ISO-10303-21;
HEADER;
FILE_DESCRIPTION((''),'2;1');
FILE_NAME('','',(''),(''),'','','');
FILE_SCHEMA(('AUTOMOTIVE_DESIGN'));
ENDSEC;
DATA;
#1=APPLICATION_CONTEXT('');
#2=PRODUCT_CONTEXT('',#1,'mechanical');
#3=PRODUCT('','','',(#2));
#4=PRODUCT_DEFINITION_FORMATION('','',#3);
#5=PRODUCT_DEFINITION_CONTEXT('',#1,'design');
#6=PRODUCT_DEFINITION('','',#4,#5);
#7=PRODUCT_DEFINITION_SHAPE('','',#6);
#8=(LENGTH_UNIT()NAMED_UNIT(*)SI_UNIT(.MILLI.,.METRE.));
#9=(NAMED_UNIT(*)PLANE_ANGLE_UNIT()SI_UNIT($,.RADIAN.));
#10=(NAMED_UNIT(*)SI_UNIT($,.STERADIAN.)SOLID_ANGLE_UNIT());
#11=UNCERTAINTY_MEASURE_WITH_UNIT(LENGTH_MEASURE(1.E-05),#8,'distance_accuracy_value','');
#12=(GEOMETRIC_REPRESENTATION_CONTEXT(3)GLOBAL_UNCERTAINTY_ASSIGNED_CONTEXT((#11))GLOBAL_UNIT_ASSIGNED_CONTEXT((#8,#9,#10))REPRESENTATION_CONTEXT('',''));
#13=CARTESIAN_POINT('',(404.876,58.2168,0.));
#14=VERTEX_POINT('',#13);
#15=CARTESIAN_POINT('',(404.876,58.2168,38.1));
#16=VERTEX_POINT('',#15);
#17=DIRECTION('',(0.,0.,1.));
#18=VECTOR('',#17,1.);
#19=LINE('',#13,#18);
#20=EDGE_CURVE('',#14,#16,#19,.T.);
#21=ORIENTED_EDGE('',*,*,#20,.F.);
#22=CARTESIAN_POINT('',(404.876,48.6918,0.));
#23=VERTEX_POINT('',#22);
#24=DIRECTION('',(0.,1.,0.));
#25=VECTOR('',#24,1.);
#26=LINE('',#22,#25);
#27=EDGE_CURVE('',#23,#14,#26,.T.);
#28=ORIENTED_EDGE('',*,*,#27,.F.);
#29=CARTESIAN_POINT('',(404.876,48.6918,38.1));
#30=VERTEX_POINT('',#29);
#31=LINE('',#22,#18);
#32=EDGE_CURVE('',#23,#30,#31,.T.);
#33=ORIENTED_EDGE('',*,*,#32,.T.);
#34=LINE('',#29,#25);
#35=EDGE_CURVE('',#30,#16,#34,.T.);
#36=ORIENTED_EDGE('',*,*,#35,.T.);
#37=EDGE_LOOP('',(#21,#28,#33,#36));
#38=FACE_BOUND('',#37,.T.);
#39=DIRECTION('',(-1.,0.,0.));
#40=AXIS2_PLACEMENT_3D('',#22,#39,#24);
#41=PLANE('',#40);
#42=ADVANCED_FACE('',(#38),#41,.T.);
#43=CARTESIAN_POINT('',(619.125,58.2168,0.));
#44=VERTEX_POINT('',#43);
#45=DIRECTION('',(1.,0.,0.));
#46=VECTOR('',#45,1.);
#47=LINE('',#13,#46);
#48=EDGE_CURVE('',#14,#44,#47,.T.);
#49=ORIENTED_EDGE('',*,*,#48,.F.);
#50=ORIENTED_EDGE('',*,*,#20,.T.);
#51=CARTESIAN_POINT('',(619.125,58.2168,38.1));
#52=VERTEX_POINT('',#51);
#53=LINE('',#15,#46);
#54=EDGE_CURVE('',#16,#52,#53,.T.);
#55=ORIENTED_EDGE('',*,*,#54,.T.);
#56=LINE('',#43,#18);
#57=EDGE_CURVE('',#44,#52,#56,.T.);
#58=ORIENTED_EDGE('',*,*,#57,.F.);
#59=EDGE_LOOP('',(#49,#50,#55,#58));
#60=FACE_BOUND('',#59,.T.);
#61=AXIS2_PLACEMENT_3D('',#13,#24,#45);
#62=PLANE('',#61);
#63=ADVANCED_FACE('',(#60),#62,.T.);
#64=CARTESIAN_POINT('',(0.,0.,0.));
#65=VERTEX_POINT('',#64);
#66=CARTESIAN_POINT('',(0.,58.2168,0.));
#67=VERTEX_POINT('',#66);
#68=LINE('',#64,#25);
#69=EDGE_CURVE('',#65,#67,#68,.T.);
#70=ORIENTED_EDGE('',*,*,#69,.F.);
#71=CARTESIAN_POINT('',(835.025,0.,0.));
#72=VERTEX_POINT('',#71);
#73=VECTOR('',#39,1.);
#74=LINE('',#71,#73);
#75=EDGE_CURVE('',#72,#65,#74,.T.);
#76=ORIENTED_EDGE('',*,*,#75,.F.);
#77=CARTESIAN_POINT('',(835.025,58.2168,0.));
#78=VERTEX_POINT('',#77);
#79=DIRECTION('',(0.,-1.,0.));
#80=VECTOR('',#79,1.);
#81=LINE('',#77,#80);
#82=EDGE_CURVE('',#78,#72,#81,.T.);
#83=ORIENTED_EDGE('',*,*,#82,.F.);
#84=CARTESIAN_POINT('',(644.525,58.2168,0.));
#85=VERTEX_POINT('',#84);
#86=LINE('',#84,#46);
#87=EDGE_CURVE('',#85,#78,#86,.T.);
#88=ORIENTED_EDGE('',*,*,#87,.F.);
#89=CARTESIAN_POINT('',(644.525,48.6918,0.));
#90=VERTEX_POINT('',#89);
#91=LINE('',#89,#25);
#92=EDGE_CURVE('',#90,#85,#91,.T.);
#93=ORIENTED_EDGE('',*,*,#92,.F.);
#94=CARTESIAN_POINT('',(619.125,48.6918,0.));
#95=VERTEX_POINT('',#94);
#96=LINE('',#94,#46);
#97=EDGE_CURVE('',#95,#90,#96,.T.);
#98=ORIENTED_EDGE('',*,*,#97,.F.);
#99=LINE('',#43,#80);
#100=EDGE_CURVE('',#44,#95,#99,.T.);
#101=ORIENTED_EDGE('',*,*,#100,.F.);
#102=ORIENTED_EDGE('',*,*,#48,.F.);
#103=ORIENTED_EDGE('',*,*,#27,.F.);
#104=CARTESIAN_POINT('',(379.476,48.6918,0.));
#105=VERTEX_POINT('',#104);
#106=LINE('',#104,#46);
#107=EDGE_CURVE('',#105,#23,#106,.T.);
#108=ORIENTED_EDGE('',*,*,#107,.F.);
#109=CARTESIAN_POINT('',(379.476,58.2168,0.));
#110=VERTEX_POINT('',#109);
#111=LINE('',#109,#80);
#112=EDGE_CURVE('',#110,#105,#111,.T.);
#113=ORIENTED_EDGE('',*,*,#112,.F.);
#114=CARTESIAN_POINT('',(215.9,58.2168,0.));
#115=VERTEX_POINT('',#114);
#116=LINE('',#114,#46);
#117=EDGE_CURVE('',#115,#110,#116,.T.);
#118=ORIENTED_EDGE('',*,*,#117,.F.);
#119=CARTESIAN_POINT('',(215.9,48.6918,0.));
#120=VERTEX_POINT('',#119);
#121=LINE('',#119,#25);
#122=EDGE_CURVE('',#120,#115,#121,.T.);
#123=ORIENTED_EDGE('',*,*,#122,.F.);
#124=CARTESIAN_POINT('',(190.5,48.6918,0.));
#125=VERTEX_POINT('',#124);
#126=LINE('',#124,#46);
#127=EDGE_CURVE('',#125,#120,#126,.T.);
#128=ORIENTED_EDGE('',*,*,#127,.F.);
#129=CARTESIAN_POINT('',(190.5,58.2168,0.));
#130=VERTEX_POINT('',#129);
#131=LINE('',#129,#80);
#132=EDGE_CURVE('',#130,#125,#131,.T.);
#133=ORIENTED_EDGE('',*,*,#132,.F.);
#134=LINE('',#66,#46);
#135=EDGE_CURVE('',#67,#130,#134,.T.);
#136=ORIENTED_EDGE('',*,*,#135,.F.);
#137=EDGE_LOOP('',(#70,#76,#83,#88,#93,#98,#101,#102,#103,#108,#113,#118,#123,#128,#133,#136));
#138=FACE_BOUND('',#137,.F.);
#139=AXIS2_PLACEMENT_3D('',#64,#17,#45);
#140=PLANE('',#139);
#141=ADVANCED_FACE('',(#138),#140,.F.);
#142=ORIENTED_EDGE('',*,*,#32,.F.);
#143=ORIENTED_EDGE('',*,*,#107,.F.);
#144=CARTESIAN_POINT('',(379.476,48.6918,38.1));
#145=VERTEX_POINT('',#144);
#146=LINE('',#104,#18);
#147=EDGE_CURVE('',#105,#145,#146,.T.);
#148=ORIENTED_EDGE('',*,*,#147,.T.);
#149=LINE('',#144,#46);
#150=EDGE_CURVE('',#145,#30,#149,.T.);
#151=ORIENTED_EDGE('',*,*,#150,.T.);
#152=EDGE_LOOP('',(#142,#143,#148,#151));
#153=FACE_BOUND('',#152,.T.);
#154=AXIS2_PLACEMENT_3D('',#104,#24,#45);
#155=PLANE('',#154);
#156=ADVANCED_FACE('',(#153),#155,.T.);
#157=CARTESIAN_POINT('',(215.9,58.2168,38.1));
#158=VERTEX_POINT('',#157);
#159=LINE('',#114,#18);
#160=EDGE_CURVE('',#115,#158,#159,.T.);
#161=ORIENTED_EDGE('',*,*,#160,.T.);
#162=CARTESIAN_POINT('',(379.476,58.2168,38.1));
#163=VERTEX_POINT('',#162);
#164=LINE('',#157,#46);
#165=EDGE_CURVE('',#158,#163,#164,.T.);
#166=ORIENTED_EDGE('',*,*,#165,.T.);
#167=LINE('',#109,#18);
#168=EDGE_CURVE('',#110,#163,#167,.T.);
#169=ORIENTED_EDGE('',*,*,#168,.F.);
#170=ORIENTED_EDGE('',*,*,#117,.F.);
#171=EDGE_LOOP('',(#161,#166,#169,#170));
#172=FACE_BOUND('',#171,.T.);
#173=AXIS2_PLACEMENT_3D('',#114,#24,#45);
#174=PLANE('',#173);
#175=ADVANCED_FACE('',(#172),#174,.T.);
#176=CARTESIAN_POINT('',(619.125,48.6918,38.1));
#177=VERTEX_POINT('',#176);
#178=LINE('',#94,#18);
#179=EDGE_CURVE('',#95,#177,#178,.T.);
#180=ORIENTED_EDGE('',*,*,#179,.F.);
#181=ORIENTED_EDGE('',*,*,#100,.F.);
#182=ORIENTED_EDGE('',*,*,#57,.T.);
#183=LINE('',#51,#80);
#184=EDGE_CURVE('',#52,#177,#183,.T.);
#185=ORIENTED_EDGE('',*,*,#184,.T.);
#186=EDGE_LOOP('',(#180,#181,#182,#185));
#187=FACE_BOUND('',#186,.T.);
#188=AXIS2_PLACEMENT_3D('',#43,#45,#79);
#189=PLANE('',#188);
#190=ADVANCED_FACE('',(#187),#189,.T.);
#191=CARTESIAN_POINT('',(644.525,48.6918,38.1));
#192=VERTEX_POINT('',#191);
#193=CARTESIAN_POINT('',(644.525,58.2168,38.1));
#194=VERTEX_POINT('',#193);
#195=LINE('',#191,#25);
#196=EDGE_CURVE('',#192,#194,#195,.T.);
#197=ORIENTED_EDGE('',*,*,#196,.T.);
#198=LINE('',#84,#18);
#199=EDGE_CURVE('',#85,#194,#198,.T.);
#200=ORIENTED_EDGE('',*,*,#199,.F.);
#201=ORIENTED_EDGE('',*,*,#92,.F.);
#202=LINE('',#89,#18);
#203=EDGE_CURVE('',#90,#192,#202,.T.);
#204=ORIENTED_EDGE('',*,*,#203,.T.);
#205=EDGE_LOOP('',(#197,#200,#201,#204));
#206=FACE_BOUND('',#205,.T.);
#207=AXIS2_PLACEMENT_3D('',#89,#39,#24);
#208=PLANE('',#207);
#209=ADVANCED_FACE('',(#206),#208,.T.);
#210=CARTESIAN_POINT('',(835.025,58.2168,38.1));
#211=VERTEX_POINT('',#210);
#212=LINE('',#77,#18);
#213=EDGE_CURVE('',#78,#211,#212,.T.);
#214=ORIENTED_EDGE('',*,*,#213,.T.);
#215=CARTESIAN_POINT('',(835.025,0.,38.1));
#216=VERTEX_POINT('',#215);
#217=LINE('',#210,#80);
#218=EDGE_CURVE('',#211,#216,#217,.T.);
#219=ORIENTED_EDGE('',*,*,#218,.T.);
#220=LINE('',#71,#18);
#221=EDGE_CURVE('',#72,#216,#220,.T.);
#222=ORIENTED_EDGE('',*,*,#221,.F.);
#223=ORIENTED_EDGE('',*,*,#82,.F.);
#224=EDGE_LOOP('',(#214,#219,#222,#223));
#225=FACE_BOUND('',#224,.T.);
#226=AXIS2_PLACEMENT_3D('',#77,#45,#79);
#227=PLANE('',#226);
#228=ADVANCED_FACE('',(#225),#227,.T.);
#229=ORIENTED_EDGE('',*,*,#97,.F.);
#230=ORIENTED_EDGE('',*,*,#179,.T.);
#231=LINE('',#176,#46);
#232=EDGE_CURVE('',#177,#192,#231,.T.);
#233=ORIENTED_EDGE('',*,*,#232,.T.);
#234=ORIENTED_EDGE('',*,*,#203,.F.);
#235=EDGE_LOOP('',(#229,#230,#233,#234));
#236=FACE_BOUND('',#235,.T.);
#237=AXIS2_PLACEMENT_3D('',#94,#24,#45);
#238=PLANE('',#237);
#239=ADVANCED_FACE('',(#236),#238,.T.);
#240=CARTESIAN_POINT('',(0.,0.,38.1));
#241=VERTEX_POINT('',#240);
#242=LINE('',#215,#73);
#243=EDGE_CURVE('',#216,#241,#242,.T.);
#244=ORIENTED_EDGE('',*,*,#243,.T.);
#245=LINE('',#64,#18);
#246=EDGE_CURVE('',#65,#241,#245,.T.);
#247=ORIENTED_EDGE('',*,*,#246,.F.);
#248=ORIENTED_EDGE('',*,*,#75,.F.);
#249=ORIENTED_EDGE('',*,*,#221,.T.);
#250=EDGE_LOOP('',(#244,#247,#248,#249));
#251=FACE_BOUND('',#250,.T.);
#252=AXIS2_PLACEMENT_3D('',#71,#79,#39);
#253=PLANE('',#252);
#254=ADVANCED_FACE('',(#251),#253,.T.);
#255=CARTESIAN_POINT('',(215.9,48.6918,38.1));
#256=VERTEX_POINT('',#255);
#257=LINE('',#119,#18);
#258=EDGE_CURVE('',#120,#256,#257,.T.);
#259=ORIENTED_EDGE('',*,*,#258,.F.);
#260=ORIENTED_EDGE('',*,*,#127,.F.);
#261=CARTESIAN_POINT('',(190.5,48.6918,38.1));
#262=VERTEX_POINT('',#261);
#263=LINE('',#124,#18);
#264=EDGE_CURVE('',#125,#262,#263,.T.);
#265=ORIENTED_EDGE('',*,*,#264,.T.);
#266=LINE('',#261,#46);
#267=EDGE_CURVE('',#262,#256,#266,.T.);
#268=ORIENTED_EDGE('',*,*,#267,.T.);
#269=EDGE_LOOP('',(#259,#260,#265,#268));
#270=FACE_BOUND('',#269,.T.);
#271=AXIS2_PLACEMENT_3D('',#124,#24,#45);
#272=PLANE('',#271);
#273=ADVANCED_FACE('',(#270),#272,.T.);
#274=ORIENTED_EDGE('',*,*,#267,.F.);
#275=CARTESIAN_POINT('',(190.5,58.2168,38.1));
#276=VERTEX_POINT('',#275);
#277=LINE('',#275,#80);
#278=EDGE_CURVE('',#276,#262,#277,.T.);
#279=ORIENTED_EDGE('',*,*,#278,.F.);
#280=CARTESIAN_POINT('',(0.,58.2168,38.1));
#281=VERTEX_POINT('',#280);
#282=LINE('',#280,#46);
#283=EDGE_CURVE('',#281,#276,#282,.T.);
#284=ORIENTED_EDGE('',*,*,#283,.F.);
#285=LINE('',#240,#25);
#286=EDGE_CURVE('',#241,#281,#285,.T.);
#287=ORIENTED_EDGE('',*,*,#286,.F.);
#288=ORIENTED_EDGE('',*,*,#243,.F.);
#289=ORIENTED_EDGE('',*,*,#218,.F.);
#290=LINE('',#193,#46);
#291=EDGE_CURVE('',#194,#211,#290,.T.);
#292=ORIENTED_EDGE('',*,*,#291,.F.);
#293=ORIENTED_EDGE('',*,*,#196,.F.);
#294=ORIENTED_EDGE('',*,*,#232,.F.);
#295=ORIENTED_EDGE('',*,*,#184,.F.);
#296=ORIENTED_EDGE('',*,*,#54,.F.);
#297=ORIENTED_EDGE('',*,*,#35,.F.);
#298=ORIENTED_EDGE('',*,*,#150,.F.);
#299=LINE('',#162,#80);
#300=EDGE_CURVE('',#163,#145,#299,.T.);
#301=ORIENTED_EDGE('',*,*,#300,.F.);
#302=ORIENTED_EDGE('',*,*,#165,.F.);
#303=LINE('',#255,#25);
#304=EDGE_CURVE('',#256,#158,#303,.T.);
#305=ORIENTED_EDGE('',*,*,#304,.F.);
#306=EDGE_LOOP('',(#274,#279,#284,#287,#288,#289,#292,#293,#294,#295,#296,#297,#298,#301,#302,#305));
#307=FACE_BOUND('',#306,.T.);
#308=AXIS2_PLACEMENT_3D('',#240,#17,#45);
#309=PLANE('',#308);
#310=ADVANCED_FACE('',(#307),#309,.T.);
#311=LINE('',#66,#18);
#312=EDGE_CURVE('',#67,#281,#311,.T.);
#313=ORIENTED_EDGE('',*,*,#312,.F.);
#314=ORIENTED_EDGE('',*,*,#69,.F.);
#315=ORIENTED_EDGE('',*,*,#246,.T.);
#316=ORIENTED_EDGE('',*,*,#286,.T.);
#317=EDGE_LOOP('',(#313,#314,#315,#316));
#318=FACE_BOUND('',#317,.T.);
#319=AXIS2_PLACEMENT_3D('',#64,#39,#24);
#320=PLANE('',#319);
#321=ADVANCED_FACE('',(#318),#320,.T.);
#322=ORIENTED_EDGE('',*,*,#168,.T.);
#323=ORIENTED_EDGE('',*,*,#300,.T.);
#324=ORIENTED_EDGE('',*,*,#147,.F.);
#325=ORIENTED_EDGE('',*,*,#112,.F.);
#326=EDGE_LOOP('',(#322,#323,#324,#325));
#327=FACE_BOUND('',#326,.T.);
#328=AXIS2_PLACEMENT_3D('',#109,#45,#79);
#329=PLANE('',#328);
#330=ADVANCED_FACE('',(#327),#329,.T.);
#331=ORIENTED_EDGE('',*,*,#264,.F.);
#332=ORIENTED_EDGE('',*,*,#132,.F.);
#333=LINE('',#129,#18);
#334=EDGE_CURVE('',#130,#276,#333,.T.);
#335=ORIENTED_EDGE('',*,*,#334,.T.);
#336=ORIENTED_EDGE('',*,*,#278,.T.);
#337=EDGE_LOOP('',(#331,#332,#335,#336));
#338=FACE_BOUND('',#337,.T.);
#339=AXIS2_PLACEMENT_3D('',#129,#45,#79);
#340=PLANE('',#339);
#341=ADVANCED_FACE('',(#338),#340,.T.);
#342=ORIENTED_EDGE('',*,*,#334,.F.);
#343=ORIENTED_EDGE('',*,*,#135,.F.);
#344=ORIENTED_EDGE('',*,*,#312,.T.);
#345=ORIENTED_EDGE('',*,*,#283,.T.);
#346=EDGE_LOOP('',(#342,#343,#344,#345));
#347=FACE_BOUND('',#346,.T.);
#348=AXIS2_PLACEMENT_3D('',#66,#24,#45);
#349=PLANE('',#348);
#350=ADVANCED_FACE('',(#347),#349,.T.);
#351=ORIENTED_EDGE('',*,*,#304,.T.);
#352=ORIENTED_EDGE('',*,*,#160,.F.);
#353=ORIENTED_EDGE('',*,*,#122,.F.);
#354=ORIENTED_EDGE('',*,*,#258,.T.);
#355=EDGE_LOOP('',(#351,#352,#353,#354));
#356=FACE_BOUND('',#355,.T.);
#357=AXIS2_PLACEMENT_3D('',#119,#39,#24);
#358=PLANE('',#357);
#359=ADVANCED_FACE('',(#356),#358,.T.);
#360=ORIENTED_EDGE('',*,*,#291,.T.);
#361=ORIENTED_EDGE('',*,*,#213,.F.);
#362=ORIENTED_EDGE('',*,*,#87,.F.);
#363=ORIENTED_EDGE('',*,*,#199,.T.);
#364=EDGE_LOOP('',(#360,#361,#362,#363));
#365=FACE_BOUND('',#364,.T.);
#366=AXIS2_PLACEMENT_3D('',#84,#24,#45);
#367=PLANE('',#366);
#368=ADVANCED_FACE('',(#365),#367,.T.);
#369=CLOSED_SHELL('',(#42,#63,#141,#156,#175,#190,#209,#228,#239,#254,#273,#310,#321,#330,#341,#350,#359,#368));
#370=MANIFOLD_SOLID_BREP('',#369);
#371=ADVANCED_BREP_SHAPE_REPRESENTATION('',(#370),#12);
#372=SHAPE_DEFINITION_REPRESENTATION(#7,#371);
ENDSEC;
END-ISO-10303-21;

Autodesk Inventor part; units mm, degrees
ref_plane "YZ Plane" through (0, 0, 0) normal (1, 0, 0) x (0, 1, 0)
ref_plane "XZ Plane" through (0, 0, 0) normal (0, 1, 0) x (-1, 0, 0)
ref_plane "XY Plane" through (0, 0, 0) normal (0, 0, 1) x (1, 0, 0)
sketch "Sketch1" plane through (0, 0, 0) normal (0, 0, 1) x (1, 0, 0)
  line L0 (0, 0) -> (0, 58.2168)
  line L1 (0, 58.2168) -> (190.5, 58.2168)
  line L2 (190.5, 58.2168) -> (190.5, 48.6918)
  line L3 (190.5, 48.6918) -> (215.9, 48.6918)
  line L4 (215.9, 48.6918) -> (215.9, 58.2168)
  line L5 (215.9, 58.2168) -> (379.476, 58.2168)
  line L6 (379.476, 58.2168) -> (379.476, 48.6918)
  line L7 (379.476, 48.6918) -> (404.876, 48.6918)
  line L8 (404.876, 48.6918) -> (404.876, 58.2168)
  line L9 (404.876, 58.2168) -> (619.125, 58.2168)
  line L10 (619.125, 58.2168) -> (619.125, 48.6918)
  line L11 (619.125, 48.6918) -> (644.525, 48.6918)
  line L12 (644.525, 48.6918) -> (644.525, 58.2168)
  line L13 (644.525, 58.2168) -> (835.025, 58.2168)
  line L14 (835.025, 58.2168) -> (835.025, 0)
  line L15 (835.025, 0) -> (0, 0)
  dimension "d0" = 58.2168
  dimension "d1" = 835.025
  dimension "d2" = 190.5
  dimension "d3" = 25.4
  dimension "d4" = 25.4
  dimension "d5" = 25.4
  dimension "d6" = 9.525
  dimension "d7" = 190.5
  dimension "d8" = 163.576
extrude "Extrusion1" add sketch "Sketch1" along normal blind 38.1
properties part number "SPACER REAR B 1"
